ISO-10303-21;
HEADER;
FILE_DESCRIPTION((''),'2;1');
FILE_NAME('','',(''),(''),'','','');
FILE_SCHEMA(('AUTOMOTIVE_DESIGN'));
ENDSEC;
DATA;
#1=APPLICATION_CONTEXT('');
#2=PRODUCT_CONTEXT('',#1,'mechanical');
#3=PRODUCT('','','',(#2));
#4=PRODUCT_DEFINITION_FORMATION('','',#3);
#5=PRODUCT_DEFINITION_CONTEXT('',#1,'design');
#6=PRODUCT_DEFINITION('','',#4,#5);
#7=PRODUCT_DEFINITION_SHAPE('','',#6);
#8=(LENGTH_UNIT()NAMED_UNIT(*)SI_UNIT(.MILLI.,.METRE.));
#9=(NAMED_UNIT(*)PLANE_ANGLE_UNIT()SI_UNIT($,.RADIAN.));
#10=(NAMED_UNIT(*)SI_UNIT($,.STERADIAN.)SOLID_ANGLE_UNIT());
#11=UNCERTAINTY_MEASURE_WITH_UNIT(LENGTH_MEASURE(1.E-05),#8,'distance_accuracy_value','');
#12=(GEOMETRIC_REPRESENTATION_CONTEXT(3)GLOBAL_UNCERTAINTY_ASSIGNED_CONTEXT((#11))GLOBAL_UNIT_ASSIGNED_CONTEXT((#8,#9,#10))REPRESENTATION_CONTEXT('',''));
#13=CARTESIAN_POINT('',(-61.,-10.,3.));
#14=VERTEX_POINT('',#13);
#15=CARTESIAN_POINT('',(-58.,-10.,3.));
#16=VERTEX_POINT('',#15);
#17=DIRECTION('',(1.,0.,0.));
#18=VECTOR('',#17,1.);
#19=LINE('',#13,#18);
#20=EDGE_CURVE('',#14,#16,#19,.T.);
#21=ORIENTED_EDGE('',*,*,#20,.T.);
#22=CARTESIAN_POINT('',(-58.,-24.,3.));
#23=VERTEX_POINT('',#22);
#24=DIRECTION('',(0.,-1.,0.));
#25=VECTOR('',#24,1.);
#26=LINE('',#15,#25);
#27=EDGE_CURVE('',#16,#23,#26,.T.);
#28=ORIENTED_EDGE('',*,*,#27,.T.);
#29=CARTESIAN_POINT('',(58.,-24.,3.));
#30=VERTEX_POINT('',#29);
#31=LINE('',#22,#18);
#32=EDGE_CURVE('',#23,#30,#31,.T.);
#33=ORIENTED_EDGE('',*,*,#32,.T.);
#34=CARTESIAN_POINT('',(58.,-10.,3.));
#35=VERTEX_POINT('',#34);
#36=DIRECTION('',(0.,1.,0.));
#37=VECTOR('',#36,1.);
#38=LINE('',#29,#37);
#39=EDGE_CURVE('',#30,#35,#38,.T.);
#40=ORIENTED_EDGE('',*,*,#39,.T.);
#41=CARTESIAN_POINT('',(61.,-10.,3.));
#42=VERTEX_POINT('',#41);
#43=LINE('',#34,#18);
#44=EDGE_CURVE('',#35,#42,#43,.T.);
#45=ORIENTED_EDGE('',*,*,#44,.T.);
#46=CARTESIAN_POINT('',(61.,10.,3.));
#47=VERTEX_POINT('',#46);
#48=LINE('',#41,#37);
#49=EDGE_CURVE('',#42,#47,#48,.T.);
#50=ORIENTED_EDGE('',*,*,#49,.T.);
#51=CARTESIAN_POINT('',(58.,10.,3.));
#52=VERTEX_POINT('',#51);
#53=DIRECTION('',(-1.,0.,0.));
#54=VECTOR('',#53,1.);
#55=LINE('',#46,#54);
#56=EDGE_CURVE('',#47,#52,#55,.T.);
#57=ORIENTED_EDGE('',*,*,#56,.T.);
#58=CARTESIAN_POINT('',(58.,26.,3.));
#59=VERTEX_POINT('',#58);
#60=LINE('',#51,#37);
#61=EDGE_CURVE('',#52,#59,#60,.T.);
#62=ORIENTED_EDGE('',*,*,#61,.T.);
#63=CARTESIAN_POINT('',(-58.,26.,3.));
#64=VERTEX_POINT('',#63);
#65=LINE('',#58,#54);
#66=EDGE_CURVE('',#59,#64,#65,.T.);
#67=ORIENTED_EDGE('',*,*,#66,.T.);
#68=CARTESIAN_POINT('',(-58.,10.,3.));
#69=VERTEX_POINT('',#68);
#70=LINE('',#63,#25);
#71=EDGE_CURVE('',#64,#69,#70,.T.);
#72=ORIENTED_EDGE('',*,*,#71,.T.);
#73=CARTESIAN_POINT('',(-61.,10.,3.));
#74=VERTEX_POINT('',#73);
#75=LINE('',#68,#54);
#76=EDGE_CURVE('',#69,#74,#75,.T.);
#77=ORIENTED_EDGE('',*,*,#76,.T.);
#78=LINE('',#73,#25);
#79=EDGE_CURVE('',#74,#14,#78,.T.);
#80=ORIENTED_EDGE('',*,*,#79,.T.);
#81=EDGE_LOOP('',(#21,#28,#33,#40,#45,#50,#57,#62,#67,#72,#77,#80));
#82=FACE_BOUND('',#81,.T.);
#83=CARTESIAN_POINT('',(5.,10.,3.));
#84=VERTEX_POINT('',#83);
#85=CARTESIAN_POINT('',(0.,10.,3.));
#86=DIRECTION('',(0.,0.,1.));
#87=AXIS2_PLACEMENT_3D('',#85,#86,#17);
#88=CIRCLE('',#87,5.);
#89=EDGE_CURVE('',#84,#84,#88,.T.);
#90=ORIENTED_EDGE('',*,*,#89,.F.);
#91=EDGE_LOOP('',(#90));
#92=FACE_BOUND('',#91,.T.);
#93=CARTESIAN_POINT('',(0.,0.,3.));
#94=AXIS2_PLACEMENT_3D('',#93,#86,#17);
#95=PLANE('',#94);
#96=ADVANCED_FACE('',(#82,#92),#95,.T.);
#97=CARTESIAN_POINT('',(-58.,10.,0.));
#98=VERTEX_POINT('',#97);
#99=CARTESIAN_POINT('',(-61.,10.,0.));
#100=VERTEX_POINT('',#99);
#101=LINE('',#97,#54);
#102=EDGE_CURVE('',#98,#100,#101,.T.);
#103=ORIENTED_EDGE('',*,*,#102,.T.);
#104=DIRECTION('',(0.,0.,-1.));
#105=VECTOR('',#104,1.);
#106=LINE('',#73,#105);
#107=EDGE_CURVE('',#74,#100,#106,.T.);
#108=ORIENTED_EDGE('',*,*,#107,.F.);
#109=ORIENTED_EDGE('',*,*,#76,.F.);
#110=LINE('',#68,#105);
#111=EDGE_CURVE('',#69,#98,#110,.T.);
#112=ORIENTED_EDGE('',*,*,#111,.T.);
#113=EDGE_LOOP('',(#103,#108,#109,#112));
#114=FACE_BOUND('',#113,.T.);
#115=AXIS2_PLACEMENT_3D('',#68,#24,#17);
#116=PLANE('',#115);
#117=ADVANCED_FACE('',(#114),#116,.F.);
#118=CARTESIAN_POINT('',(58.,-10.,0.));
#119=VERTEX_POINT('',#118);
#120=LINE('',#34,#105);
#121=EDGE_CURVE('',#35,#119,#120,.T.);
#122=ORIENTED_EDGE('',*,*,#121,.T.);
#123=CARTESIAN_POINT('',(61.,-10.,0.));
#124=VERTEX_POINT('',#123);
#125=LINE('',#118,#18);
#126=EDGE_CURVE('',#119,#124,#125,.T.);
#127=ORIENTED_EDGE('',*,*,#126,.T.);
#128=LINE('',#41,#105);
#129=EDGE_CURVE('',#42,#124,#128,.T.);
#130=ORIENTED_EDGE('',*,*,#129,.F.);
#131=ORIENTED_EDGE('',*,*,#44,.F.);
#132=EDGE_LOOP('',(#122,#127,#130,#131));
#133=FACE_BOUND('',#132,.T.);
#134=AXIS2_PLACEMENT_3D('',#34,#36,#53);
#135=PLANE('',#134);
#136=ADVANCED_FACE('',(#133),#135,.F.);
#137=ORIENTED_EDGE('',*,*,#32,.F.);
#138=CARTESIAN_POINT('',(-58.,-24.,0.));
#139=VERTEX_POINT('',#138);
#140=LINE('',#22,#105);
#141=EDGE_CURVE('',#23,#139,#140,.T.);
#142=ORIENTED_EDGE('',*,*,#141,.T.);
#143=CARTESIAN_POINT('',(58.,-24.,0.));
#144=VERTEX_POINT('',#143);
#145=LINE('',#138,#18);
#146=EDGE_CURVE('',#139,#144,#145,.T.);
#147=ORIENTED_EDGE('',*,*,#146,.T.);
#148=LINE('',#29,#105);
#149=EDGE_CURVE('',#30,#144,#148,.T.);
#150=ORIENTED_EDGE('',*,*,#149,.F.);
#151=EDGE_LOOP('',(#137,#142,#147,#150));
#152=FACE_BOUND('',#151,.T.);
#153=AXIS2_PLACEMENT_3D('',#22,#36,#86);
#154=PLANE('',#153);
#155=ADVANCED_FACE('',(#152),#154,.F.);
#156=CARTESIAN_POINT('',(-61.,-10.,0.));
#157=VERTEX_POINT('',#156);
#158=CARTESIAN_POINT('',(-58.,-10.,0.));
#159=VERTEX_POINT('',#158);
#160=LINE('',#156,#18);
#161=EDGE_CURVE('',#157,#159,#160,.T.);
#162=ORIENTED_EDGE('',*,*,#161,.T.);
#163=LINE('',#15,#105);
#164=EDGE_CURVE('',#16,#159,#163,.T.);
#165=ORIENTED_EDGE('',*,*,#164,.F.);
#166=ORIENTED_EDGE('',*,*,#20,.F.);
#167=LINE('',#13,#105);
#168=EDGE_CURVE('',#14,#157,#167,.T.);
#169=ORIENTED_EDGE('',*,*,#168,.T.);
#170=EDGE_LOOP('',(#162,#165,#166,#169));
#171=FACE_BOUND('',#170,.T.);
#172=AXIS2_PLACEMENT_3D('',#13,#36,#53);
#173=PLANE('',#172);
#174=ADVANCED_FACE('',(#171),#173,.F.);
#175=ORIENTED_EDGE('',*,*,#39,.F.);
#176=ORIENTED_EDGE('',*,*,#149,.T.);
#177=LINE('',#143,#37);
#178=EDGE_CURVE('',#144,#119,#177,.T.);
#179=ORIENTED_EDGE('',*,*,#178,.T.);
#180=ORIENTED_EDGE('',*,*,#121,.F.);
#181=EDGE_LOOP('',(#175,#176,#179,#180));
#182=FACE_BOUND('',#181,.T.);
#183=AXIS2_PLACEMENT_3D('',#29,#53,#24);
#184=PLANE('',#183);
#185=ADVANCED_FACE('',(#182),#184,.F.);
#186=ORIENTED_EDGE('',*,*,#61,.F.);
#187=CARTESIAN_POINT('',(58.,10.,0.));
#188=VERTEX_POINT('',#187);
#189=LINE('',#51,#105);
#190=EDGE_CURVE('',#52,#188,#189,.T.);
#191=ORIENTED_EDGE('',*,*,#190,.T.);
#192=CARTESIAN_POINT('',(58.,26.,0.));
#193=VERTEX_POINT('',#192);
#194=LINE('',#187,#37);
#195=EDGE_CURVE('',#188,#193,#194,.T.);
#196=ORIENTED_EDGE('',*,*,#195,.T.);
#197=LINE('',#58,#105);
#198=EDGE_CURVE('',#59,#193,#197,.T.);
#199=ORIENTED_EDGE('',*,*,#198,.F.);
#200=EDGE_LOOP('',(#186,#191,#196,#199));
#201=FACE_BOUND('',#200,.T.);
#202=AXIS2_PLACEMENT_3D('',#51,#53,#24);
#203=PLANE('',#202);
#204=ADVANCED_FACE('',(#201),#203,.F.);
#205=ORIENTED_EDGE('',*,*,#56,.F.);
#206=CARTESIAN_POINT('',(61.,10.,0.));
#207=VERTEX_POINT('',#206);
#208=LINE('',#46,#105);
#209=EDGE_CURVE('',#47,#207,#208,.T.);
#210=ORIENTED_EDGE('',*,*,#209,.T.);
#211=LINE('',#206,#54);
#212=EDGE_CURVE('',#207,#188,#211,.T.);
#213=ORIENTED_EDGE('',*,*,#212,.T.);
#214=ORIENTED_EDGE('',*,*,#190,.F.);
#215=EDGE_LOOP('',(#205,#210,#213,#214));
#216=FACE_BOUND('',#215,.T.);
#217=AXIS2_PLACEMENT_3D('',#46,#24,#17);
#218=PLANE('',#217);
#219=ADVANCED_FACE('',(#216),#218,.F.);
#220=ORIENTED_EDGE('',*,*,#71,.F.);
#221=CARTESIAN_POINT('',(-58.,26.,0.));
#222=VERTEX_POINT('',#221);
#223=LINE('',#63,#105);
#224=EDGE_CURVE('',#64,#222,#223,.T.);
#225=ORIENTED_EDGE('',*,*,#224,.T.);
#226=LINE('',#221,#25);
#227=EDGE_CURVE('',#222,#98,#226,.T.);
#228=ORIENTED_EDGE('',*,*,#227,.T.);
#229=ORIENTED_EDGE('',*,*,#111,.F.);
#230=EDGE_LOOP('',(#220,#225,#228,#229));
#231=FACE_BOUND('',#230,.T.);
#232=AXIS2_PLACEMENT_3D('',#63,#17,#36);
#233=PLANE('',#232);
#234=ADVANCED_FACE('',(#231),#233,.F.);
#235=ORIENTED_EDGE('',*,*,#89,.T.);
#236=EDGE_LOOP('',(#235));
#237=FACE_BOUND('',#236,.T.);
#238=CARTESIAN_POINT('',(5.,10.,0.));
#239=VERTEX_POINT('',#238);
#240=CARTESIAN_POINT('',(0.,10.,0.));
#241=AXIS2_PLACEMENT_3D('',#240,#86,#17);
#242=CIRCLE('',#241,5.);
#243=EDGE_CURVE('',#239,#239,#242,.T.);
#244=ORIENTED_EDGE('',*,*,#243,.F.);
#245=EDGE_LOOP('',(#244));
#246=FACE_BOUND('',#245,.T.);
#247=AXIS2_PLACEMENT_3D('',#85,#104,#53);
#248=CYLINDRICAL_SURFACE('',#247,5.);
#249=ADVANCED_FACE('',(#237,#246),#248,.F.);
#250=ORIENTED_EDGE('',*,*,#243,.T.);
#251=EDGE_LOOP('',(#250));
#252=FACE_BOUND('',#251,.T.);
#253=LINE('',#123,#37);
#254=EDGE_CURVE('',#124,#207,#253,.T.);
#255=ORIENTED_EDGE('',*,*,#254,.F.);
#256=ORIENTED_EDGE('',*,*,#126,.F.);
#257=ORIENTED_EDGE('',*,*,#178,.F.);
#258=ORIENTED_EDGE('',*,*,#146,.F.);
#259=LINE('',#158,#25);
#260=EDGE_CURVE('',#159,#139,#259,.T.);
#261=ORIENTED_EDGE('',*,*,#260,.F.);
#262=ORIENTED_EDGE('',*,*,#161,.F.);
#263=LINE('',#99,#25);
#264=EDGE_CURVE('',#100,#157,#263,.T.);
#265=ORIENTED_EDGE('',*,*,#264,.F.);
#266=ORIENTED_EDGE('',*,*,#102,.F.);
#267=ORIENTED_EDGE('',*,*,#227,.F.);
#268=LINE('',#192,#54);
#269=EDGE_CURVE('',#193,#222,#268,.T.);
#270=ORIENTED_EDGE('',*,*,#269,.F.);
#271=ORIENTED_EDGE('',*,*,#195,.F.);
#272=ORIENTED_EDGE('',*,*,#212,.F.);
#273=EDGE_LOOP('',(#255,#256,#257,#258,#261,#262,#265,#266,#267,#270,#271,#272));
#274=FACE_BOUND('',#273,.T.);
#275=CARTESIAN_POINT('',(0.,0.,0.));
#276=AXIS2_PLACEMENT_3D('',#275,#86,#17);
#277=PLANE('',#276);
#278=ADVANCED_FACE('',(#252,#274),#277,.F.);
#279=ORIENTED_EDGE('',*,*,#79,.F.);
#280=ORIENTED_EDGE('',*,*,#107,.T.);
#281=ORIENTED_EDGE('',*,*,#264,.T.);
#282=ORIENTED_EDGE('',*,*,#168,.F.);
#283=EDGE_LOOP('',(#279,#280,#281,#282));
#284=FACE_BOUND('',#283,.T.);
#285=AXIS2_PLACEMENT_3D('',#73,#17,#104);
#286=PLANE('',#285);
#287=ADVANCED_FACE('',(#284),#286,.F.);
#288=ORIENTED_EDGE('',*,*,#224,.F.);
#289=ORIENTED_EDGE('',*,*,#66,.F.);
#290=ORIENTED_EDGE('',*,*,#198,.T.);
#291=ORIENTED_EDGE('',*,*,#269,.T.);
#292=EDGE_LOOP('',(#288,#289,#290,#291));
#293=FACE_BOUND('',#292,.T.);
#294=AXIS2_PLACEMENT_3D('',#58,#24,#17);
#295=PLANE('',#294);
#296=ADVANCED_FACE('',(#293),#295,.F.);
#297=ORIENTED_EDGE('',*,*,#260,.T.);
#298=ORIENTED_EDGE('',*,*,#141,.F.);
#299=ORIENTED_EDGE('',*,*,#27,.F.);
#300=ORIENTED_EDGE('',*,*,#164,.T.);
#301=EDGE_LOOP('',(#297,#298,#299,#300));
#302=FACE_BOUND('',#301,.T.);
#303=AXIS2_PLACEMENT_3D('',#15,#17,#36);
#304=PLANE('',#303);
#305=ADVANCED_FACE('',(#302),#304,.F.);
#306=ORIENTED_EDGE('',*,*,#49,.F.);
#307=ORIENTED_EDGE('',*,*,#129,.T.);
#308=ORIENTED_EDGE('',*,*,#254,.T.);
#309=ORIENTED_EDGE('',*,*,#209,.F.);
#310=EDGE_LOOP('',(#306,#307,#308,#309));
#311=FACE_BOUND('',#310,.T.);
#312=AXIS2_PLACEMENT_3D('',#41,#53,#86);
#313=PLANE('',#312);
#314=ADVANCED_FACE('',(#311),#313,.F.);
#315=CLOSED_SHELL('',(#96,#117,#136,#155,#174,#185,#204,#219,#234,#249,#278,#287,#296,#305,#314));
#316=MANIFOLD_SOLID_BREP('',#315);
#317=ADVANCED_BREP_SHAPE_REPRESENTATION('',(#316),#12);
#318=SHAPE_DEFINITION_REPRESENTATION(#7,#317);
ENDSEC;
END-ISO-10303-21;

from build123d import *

# Parameters (mm, degrees)
SKETCH1_R           = 5
BOSS_EXTRUDE1_DEPTH = 3


with BuildPart() as part:
    # Sketch1 → Boss-Extrude1 (new body)
    with BuildSketch(Plane.XY):
        Polygon((-61, 10), (-61, -10), (-58, -10), (-58, -24), (58, -24), (58, -10), (61, -10), (61, 10), (58, 10), (58, 26), (-58, 26), (-58, 10), align=None)
        with Locations((0, 10)):
            Circle(SKETCH1_R, mode=Mode.SUBTRACT)
    extrude(amount=BOSS_EXTRUDE1_DEPTH)


solid = part.part
